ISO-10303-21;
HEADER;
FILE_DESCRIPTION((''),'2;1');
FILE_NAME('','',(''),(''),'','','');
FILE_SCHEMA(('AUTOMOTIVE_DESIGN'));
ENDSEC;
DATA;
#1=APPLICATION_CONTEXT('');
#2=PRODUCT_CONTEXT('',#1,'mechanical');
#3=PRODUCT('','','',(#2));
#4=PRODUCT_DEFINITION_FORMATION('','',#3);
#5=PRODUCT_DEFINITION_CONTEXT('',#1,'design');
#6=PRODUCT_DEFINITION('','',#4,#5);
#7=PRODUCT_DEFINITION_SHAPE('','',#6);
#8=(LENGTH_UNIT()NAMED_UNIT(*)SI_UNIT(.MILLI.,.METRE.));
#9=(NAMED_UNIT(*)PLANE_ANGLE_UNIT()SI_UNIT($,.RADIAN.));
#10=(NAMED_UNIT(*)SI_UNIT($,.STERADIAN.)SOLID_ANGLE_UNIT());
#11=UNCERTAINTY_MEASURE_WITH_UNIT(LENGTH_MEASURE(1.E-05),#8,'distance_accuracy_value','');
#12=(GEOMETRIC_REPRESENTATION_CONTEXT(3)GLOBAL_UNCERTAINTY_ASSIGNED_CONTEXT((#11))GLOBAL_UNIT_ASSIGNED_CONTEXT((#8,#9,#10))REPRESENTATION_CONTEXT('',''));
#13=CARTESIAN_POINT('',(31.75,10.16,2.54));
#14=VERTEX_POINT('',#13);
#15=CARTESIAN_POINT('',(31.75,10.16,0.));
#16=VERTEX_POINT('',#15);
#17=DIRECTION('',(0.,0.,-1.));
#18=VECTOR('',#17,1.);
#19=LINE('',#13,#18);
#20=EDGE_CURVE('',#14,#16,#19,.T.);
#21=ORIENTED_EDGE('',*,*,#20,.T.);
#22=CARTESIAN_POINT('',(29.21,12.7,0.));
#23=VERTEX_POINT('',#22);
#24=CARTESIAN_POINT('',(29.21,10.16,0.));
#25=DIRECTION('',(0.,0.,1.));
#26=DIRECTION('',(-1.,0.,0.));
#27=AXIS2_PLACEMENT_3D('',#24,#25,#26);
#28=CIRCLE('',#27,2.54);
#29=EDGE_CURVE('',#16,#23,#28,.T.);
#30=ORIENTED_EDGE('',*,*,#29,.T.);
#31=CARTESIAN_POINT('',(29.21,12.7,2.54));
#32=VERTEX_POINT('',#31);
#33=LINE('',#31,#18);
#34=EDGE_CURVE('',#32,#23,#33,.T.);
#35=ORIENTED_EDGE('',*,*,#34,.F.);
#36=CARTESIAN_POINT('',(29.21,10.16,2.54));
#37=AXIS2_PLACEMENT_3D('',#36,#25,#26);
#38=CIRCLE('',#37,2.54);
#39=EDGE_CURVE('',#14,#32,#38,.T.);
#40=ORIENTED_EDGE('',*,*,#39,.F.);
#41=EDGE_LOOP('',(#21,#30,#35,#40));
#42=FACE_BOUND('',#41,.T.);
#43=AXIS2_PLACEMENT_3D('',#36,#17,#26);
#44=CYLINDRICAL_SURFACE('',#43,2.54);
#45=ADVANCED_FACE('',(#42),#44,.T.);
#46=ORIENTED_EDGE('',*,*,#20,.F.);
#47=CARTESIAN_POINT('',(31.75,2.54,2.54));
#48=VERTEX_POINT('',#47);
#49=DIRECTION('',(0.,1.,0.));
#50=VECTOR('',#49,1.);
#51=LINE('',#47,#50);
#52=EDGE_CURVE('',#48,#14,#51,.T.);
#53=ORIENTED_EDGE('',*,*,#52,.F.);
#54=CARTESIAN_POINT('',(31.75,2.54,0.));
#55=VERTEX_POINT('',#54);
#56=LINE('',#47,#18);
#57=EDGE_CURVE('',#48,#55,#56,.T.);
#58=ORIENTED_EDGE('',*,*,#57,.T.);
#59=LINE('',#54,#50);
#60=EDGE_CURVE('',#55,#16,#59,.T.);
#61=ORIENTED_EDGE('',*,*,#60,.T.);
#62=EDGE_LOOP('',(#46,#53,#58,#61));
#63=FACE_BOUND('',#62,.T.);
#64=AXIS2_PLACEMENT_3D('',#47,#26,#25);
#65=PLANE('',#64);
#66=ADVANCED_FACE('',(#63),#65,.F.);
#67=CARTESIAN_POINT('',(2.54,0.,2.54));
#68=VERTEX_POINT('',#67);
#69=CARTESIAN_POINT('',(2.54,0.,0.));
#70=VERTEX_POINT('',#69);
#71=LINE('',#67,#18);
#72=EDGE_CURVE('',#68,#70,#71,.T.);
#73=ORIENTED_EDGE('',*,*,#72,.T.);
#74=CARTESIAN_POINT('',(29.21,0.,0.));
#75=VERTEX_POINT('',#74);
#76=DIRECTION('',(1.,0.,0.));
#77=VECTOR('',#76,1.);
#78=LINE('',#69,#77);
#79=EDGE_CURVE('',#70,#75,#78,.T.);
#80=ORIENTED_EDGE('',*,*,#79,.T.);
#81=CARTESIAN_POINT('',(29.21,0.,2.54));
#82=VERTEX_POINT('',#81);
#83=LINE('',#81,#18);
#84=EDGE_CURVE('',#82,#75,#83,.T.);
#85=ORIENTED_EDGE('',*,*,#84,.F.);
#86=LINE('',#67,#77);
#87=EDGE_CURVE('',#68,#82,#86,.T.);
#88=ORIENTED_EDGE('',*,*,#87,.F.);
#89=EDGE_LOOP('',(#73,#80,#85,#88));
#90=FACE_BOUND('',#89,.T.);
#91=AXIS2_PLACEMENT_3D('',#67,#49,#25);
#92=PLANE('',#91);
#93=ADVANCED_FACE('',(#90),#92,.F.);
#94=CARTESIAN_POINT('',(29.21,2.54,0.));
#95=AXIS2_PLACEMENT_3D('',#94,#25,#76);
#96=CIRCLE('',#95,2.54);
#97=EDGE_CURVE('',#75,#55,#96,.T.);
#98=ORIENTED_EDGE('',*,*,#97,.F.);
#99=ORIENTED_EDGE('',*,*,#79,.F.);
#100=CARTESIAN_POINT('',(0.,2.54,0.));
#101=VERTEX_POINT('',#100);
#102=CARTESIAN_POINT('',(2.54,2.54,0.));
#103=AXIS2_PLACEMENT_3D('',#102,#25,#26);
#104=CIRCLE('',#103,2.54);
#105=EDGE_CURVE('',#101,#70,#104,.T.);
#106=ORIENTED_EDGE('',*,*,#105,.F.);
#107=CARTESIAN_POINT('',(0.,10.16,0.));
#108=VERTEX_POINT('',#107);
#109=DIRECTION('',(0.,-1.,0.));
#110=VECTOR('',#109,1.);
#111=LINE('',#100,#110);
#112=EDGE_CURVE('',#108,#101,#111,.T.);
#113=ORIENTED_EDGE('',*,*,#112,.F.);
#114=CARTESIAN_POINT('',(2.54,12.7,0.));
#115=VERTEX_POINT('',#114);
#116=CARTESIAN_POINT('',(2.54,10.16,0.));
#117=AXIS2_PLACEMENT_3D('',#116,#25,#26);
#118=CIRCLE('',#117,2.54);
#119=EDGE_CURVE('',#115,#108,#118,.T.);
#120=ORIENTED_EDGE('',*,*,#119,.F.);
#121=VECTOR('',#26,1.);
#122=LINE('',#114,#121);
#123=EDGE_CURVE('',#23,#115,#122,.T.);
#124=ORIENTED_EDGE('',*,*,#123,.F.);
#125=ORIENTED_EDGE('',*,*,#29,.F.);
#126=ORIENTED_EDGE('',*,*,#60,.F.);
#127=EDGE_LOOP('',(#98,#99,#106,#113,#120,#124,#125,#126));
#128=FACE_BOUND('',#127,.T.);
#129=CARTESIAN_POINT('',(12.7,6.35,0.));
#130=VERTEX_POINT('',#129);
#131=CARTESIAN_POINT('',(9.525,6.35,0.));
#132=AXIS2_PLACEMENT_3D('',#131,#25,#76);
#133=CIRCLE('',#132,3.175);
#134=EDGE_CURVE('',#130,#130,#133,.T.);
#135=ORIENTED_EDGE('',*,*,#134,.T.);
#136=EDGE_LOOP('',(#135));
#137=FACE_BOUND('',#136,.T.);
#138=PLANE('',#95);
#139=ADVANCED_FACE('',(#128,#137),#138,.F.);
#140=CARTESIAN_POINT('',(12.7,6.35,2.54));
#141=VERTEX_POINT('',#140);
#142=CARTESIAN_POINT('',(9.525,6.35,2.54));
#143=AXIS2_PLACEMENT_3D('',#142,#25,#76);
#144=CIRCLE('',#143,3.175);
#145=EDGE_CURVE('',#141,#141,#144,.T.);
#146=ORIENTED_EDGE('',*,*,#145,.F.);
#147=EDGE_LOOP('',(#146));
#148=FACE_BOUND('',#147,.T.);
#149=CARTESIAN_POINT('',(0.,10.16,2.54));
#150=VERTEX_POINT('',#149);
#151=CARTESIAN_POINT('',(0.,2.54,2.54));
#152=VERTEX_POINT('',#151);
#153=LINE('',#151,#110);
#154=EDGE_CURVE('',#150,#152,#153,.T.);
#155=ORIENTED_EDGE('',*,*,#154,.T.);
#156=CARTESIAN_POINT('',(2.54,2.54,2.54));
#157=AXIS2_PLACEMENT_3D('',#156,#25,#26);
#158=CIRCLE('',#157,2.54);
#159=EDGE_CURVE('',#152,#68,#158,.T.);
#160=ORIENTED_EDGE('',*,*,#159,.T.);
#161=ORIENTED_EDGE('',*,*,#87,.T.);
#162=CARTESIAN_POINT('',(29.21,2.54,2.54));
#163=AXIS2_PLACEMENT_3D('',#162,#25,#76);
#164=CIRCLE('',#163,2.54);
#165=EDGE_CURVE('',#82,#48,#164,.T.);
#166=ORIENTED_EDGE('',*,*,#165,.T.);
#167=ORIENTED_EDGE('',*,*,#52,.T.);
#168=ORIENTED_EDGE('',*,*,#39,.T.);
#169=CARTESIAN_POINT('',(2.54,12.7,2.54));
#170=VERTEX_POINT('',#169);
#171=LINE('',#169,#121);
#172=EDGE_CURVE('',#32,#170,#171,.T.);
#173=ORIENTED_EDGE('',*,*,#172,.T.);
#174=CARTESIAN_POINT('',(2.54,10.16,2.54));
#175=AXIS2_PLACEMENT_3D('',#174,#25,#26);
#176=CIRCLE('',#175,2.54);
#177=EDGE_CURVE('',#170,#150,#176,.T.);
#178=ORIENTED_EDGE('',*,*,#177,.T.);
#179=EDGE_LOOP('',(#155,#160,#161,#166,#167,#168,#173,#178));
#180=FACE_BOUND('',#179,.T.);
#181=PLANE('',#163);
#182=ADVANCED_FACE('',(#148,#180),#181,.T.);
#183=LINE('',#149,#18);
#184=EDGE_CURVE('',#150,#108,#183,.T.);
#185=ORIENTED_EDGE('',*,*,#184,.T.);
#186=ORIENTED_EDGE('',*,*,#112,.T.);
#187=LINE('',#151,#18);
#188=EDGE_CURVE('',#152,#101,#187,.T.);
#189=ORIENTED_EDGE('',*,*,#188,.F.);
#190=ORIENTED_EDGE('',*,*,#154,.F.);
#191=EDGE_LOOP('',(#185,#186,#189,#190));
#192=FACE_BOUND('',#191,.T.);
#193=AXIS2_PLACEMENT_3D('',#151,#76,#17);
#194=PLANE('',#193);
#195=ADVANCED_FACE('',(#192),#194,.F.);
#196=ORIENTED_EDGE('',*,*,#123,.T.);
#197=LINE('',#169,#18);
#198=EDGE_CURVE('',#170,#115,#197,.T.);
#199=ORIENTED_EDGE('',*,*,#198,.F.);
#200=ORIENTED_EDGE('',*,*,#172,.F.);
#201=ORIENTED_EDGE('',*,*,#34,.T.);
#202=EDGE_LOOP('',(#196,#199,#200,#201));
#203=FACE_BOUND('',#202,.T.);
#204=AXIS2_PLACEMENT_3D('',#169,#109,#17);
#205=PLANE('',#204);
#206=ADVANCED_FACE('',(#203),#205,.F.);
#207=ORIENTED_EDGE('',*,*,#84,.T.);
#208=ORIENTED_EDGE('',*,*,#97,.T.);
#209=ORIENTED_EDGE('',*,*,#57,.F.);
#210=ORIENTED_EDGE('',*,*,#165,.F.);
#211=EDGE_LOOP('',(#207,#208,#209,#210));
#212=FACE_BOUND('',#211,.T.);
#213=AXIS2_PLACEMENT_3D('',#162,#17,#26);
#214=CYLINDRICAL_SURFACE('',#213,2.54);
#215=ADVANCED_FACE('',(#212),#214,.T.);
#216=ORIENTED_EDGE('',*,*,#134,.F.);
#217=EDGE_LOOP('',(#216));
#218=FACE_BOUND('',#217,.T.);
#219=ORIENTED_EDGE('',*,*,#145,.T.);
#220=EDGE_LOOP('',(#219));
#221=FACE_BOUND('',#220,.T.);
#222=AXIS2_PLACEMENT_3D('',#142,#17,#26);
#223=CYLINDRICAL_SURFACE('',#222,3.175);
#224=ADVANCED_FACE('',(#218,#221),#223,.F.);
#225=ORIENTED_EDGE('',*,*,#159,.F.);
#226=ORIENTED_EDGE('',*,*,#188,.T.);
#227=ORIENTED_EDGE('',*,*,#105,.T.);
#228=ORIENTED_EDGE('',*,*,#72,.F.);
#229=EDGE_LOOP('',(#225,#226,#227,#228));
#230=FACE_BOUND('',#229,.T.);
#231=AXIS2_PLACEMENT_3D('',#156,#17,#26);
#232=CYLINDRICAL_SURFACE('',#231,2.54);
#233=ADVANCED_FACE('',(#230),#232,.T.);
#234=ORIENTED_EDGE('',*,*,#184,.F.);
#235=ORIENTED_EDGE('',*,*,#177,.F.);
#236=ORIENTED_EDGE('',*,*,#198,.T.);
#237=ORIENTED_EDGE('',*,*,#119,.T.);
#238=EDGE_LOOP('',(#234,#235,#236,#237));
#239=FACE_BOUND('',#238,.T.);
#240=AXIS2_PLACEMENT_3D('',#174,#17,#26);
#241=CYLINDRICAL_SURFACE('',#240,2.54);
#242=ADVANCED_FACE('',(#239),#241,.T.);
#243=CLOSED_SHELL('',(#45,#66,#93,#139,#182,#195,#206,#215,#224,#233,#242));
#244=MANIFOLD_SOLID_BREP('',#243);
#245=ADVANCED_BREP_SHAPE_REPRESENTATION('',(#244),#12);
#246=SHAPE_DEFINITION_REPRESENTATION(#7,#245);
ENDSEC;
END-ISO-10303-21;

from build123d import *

# Parameters (mm, degrees)
SKETCH1_R           = 3.175
BOSS_EXTRUDE1_DEPTH = 2.54


with BuildPart() as part:
    # Sketch1 → Boss-Extrude1 (new body)
    with BuildSketch(Plane.XY):
        with BuildLine():
            Line((2.54, 0), (29.21, 0))
            ThreePointArc((29.21, 0), (31.006051224, 0.743948776), (31.75, 2.54))
            Line((31.75, 2.54), (31.75, 10.16))
            ThreePointArc((31.75, 10.16), (31.006051224, 11.956051224), (29.21, 12.7))
            Line((29.21, 12.7), (2.54, 12.7))
            ThreePointArc((2.54, 12.7), (0.743948776, 11.956051224), (0, 10.16))
            Line((0, 10.16), (0, 2.54))
            ThreePointArc((0, 2.54), (0.743948776, 0.743948776), (2.54, 0))
        make_face()
        with Locations((9.525, 6.35)):
            Circle(SKETCH1_R, mode=Mode.SUBTRACT)
    extrude(amount=BOSS_EXTRUDE1_DEPTH)


solid = part.part
